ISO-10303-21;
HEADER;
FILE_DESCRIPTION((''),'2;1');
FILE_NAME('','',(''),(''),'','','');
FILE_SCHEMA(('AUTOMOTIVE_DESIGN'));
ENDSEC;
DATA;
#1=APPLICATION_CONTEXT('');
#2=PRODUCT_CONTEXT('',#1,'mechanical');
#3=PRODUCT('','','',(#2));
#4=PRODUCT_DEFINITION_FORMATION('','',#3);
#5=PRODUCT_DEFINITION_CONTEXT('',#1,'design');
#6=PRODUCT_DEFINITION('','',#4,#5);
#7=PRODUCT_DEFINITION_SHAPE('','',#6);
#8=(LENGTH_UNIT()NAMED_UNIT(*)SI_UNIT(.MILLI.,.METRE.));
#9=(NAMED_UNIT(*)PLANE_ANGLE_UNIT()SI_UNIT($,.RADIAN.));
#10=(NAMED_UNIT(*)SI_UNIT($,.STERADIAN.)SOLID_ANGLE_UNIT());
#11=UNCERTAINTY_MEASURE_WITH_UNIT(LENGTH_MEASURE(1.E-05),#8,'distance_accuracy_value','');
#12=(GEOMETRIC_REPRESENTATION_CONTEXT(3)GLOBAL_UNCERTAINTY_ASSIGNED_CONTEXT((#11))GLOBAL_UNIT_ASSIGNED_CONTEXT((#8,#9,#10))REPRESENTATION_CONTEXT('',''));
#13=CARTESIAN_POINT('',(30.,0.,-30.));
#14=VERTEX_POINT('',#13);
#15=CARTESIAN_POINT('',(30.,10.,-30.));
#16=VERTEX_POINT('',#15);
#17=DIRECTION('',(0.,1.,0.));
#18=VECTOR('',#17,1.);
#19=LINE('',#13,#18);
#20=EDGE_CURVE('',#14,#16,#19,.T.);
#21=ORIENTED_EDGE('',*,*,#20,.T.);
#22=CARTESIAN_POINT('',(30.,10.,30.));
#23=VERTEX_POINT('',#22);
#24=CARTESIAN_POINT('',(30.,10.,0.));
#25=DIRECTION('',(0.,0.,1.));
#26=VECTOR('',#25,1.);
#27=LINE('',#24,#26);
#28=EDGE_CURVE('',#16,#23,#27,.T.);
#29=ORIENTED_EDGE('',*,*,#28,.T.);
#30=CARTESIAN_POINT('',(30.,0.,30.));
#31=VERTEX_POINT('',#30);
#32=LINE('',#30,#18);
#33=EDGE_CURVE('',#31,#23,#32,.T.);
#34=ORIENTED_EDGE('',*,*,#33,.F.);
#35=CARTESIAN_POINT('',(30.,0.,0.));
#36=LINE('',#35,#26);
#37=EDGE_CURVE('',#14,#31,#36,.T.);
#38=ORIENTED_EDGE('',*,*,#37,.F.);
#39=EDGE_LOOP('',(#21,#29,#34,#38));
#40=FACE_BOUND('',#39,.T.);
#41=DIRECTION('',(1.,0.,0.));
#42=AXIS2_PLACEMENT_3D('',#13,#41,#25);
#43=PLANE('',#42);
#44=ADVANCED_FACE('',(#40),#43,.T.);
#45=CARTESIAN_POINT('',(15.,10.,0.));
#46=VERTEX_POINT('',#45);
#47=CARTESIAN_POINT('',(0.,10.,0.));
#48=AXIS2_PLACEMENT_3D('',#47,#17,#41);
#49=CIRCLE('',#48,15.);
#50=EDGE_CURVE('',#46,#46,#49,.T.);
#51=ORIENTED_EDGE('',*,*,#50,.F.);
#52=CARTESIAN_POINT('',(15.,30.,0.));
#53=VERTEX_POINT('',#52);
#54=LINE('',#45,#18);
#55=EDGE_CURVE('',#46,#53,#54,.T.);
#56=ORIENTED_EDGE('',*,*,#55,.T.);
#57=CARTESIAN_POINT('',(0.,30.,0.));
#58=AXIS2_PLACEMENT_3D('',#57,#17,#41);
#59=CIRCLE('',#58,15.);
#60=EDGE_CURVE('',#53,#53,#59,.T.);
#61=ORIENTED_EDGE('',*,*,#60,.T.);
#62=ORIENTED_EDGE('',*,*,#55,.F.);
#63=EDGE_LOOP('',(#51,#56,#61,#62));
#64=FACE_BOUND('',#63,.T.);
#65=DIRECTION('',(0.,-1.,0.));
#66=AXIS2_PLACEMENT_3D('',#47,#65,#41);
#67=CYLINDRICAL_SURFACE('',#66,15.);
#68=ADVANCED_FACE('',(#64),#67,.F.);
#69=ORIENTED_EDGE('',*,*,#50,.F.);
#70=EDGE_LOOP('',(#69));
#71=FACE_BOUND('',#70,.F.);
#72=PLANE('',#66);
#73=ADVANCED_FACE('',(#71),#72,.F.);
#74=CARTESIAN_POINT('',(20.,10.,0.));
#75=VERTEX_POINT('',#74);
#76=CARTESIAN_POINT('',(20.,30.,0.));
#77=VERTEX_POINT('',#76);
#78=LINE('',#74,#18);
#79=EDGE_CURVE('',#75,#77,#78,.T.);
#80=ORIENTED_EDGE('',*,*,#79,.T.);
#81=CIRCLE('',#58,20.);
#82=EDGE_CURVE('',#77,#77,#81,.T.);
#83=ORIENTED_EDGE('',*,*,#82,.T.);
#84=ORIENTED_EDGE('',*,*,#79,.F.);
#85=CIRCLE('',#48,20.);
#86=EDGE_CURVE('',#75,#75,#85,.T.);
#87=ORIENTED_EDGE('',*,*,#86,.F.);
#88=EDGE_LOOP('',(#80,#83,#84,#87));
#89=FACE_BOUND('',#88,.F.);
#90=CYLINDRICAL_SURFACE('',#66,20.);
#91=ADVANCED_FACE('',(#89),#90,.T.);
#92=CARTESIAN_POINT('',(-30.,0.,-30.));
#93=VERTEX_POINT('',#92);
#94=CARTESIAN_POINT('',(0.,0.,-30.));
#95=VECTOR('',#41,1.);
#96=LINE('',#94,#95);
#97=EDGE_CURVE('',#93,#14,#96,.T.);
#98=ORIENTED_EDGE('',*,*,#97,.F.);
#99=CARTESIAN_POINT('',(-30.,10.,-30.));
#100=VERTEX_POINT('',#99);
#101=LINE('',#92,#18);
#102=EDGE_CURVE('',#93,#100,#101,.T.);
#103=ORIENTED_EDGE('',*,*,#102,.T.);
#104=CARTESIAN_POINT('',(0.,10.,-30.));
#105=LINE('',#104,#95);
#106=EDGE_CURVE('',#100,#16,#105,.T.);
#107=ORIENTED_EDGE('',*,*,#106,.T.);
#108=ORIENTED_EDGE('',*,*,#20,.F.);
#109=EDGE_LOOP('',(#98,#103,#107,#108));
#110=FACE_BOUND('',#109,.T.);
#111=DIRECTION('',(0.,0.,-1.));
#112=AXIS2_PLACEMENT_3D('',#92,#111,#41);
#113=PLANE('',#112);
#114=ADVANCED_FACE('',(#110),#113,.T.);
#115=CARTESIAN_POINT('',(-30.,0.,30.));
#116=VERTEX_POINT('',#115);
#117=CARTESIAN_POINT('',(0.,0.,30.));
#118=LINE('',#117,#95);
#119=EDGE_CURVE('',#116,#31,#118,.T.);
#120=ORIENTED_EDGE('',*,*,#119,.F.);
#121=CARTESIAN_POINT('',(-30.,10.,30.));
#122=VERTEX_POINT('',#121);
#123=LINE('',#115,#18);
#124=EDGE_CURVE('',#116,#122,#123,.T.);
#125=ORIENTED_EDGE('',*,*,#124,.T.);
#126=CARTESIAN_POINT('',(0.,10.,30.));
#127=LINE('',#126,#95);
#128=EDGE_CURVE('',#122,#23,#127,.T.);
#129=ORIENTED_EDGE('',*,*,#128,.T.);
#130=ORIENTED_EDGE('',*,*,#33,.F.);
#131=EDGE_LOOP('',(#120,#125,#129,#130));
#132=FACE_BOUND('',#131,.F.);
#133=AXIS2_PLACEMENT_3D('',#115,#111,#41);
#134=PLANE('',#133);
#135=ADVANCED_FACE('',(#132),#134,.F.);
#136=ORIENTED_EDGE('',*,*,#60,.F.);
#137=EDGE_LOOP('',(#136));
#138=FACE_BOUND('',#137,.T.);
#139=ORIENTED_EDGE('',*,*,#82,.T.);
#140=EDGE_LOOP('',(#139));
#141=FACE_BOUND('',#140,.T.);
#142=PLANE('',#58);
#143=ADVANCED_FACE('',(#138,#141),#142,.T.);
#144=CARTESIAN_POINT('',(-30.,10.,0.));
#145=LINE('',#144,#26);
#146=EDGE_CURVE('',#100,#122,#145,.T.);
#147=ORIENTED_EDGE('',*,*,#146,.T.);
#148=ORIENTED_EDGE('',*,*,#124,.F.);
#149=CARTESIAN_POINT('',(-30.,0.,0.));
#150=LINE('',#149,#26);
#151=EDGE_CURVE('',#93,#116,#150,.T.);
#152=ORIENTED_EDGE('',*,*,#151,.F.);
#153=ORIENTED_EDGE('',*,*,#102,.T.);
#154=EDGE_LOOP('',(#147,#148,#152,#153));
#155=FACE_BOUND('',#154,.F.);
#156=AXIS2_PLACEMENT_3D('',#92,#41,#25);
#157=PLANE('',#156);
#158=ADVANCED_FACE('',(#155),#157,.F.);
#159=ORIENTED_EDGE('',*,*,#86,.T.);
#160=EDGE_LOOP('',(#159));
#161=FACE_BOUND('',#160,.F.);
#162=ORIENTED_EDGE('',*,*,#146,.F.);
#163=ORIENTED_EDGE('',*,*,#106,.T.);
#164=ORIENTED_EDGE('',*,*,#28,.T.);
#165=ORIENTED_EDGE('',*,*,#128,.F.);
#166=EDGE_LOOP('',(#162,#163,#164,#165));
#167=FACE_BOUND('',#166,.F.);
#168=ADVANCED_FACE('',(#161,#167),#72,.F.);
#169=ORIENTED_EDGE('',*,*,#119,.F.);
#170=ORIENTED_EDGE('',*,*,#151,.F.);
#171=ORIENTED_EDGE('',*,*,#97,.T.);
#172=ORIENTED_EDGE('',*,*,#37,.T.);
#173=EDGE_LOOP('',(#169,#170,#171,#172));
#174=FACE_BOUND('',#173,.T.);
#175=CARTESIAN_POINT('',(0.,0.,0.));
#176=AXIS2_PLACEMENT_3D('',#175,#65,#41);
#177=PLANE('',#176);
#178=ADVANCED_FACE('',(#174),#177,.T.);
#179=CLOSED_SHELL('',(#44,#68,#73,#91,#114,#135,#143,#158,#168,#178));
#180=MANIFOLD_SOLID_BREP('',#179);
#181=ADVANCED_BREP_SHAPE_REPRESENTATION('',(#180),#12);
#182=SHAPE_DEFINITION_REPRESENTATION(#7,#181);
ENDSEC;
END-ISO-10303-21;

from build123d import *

# Parameters (mm, degrees)
SKETCH_W      = 60
SKETCH_H      = 60
PAD_DEPTH     = 10
SKETCH001_R   = 20
SKETCH001_R_2 = 15
PAD001_DEPTH  = 20


with BuildPart() as part:
    # Sketch → Pad (new body)
    with BuildSketch(Plane.XZ):
        Rectangle(SKETCH_W, SKETCH_H)
    extrude(amount=-PAD_DEPTH)

    # Sketch001 (on Face6 of Pad) → Pad001 (join)
    with BuildSketch(Plane(origin=(0, 10, 0), x_dir=(1, 0, 0), z_dir=(0, 1, 0))):
        Circle(SKETCH001_R)
        Circle(SKETCH001_R_2, mode=Mode.SUBTRACT)
    extrude(amount=PAD001_DEPTH)


solid = part.part
